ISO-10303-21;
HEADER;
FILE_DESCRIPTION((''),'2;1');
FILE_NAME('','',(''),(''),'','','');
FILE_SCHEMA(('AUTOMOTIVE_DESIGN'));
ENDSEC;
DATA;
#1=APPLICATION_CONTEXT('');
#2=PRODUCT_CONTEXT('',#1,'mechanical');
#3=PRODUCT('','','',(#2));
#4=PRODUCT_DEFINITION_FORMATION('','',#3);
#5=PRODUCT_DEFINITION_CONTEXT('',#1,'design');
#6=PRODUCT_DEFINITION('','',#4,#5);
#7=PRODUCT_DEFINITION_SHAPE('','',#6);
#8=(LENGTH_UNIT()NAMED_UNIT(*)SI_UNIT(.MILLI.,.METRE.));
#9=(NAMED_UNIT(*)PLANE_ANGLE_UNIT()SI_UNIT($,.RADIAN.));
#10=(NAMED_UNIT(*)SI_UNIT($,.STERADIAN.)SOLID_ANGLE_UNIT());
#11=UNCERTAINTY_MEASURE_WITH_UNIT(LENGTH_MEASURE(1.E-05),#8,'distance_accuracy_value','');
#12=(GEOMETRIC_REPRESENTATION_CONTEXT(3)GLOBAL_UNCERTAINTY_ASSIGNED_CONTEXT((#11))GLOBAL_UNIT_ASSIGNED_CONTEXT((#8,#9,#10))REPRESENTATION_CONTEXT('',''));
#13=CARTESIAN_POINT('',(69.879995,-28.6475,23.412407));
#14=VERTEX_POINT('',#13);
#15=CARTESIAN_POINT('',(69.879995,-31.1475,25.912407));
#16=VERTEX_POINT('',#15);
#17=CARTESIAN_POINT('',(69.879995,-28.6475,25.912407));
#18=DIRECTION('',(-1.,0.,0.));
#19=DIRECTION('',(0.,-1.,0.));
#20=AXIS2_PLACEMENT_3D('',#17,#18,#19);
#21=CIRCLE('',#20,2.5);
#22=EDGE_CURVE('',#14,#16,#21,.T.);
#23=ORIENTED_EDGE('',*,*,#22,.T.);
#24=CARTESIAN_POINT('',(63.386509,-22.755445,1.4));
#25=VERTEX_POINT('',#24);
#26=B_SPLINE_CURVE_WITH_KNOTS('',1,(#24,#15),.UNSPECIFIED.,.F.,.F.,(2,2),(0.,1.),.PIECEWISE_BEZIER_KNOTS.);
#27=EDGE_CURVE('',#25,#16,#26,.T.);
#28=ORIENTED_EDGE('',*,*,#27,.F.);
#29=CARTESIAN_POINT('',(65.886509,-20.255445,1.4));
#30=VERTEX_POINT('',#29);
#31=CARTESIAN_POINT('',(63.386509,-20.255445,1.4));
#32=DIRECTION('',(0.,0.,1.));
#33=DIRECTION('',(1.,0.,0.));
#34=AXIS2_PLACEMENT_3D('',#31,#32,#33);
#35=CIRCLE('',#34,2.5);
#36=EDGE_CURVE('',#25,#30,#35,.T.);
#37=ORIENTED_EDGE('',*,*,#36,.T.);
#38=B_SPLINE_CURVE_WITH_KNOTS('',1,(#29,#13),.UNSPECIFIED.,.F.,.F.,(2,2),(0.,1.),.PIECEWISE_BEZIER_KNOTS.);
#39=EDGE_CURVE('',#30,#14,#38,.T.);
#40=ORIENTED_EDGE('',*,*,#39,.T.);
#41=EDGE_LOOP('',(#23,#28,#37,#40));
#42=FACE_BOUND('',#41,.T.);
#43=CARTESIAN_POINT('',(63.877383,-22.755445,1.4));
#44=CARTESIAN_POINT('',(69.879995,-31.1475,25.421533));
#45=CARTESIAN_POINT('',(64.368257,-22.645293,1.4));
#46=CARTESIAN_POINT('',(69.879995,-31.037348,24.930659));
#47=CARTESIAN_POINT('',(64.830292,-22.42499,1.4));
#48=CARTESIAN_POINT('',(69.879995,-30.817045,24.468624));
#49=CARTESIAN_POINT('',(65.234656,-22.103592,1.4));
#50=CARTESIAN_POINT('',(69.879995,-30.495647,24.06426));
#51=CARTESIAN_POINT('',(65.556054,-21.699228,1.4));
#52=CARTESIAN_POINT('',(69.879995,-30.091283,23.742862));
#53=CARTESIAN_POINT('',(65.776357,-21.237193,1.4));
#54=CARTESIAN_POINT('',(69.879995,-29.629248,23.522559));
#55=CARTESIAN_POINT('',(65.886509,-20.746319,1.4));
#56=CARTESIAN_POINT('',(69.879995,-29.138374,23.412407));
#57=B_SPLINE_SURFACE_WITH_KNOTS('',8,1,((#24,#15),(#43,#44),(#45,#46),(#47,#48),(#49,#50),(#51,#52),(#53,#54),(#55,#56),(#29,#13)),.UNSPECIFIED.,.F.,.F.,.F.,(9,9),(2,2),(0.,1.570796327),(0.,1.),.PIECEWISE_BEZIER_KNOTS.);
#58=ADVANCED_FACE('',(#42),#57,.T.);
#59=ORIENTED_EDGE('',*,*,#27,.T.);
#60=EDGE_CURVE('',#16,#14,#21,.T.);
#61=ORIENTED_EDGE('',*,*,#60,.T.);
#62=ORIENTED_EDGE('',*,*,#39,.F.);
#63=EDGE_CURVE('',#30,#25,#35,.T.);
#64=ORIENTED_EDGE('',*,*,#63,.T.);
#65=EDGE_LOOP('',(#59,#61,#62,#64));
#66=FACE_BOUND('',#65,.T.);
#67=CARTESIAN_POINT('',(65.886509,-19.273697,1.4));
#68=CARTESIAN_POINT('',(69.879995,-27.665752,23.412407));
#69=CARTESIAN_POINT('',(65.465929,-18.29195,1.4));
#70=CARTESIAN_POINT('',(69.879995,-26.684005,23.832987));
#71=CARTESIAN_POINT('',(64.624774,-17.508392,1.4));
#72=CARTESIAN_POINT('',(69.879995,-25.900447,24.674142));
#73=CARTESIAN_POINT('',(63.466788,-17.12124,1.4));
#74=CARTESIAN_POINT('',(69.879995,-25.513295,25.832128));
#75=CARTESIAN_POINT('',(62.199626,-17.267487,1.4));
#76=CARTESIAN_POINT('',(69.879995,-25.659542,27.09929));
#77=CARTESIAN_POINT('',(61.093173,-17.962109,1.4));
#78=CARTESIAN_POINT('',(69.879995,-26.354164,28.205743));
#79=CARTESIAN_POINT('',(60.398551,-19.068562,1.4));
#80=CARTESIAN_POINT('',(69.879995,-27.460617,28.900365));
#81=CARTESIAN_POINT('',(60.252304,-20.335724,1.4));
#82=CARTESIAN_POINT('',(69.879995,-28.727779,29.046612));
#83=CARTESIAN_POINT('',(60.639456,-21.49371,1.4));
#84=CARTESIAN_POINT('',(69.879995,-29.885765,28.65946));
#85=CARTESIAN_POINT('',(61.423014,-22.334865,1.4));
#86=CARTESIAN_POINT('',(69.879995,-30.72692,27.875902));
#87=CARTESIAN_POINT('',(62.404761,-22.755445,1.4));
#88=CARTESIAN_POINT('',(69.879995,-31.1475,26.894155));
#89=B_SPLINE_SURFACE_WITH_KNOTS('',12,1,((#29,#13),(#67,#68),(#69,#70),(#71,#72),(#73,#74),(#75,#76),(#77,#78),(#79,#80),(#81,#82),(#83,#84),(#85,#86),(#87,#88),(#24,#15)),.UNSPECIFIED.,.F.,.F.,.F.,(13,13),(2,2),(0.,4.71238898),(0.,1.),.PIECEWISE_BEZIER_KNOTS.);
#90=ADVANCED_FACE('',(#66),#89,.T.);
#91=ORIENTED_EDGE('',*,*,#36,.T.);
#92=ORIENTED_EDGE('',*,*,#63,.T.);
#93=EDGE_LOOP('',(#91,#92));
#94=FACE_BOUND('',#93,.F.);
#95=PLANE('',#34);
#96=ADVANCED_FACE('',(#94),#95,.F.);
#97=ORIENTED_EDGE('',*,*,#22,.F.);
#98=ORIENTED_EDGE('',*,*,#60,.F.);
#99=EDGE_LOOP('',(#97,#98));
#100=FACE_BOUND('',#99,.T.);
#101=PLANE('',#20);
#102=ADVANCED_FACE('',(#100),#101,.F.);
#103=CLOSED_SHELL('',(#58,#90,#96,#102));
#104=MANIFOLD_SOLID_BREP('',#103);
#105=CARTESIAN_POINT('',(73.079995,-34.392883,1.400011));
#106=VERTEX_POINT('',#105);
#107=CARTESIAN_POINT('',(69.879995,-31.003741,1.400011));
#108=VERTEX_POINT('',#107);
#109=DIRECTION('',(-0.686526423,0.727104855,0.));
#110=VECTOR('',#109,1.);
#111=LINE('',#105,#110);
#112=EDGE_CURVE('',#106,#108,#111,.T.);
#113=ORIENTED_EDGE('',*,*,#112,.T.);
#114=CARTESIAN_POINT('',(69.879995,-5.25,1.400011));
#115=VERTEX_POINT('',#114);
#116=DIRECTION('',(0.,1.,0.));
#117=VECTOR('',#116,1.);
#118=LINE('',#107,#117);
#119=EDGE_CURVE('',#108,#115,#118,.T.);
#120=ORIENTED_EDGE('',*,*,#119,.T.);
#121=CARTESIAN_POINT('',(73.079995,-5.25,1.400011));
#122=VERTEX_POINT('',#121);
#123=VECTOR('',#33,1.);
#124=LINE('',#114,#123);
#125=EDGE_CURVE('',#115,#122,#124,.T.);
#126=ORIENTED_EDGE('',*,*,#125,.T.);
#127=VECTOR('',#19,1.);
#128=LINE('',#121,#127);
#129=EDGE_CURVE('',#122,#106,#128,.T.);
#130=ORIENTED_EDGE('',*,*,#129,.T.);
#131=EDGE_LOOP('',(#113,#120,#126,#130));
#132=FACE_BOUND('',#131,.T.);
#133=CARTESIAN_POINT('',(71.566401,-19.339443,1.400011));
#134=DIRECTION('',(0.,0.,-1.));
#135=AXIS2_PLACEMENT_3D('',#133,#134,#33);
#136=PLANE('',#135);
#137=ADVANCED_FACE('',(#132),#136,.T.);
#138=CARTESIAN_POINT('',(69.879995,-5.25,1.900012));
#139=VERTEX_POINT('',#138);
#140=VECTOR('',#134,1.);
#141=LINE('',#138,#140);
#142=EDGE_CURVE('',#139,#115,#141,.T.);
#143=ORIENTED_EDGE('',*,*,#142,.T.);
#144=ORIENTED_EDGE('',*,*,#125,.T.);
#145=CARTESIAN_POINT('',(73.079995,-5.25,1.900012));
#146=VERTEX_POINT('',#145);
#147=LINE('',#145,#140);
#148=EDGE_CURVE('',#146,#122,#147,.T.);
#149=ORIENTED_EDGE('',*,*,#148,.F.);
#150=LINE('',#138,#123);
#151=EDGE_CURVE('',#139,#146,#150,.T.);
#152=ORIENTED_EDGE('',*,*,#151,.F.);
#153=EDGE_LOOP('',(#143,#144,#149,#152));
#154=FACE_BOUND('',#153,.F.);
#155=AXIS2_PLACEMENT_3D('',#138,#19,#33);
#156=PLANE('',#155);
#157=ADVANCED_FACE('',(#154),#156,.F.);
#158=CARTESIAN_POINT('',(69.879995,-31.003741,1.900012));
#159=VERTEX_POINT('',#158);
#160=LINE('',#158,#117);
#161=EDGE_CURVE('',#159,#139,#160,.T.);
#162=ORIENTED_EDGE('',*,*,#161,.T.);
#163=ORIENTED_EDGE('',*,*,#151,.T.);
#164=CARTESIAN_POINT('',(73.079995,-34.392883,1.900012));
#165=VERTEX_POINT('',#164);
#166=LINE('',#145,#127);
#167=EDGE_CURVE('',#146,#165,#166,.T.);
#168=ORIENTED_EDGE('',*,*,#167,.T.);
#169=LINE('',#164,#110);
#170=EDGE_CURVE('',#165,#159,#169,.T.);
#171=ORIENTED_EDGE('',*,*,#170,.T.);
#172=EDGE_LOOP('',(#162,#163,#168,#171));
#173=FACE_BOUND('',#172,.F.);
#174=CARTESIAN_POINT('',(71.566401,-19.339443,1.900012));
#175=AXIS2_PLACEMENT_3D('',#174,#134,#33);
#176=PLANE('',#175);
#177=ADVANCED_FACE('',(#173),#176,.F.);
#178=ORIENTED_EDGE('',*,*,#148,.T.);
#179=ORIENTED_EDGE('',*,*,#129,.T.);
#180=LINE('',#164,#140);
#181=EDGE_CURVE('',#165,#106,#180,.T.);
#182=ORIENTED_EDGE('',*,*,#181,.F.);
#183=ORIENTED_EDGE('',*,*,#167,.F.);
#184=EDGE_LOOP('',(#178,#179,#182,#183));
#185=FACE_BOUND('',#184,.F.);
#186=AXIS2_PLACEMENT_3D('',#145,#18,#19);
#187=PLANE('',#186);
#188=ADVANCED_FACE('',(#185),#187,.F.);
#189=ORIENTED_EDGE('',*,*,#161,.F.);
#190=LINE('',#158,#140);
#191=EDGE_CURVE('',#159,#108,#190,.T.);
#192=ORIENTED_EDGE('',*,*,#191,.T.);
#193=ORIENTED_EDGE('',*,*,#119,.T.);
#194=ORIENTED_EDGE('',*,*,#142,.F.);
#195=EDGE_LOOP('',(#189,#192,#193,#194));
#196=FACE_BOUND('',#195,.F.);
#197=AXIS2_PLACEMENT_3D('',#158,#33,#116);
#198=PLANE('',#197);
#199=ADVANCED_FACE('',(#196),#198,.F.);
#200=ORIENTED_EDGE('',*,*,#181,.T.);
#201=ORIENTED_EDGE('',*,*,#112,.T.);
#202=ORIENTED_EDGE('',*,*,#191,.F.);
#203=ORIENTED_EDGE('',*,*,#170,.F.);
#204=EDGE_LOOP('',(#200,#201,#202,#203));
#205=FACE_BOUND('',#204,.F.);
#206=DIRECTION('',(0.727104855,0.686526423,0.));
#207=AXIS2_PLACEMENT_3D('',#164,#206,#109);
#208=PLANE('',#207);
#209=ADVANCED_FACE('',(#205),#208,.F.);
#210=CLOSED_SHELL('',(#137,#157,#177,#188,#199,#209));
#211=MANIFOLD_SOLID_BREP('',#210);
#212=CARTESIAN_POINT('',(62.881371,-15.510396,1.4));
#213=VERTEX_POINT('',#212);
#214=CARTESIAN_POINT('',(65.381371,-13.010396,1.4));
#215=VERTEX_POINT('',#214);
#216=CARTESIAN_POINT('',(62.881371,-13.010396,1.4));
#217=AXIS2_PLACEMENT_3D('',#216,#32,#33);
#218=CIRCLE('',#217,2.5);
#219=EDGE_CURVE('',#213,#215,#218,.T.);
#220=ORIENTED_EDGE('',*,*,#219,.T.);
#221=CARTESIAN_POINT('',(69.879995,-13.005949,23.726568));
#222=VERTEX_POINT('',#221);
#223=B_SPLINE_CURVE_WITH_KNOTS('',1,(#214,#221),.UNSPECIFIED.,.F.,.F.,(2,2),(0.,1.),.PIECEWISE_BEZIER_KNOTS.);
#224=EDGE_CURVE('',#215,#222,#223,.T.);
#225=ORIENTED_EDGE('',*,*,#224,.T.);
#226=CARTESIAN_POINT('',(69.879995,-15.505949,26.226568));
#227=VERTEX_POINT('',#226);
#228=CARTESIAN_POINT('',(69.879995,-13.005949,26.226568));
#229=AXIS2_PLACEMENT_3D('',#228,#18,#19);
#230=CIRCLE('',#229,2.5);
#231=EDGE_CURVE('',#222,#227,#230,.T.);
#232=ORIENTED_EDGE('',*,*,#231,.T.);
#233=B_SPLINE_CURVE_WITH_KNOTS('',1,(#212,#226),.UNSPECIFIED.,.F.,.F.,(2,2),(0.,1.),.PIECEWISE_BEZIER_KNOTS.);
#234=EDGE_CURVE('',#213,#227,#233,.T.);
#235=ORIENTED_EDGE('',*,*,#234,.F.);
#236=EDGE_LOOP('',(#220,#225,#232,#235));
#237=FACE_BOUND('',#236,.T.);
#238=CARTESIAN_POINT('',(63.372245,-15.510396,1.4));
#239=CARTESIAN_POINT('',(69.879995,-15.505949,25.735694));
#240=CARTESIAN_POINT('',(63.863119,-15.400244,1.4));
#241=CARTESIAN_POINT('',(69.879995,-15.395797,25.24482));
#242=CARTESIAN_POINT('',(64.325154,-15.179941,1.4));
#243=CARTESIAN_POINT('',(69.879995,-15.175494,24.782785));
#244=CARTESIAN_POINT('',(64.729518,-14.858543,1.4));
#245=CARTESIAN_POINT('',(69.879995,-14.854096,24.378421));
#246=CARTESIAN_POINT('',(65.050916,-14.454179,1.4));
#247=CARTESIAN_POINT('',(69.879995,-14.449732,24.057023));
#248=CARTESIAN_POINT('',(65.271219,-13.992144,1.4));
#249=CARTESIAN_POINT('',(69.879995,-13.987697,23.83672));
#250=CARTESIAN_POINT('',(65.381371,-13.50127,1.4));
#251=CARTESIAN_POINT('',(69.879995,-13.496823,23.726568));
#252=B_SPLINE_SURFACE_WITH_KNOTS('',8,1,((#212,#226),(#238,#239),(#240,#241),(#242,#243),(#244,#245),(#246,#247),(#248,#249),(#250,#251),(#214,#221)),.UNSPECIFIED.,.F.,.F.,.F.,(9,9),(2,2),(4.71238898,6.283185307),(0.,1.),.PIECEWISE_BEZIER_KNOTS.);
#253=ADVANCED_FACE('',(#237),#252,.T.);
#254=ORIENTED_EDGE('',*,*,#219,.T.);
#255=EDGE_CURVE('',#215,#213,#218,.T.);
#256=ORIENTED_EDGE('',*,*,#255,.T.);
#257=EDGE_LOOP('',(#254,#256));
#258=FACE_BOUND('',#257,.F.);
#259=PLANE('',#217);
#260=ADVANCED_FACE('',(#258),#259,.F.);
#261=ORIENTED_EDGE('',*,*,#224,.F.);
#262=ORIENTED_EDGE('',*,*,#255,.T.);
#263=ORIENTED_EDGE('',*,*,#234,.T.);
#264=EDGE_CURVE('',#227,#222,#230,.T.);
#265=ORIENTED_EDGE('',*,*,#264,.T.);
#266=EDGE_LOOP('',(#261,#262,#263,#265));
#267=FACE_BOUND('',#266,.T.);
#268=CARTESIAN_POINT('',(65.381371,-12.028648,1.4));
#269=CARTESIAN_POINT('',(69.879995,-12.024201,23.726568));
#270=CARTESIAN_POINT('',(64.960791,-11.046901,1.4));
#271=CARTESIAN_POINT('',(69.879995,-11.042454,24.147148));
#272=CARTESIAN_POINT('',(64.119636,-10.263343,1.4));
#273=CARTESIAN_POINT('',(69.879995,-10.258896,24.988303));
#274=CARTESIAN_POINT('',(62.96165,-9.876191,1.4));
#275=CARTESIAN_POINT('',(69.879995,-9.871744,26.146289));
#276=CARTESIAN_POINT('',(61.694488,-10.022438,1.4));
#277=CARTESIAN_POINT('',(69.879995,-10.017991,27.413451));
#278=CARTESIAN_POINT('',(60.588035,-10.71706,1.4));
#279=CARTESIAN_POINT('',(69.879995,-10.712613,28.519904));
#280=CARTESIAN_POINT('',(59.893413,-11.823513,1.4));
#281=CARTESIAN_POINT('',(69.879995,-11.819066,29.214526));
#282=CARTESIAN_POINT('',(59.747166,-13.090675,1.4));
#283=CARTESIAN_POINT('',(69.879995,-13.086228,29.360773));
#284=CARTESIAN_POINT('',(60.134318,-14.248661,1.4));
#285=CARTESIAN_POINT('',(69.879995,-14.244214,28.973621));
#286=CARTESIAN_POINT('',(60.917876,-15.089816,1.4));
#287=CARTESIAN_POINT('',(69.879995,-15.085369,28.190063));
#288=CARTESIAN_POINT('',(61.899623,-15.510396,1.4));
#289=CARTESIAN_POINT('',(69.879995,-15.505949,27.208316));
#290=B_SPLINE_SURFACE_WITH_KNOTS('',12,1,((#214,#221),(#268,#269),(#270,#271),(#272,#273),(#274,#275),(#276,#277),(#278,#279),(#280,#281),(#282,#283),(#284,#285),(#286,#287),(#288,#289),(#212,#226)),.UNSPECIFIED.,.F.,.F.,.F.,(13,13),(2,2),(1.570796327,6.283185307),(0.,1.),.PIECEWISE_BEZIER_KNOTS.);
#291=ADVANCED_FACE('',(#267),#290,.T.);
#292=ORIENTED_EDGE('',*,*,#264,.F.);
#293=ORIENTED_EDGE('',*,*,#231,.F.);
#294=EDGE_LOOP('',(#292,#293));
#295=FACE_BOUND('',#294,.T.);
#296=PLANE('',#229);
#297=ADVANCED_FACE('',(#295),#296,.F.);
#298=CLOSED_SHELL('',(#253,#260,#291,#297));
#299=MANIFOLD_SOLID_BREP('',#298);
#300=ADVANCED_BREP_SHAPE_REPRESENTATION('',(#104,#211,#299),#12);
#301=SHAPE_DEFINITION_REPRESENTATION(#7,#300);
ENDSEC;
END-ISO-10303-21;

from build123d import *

# Parameters (mm, degrees)
SKETCH084_R  = 2.5
SKETCH085_R  = 2.5
SKETCH086_R  = 2.5
SKETCH087_R  = 2.5
PAD051_DEPTH = 0.500001


with BuildPart() as part:
    # Sketch084 (on Face1 of Binder016) → AdditiveLoft010 section 0
    with BuildSketch(Plane.XY.offset(1.4)):
        with Locations((63.386509, -20.255445)):
            Circle(SKETCH084_R)
    # Sketch085 (on Face1 of Binder017) → AdditiveLoft010 section 1
    with BuildSketch(Plane(origin=(69.879995, 0, -1.2e-05), x_dir=(0, -1, 0), z_dir=(-1, 0, 0))):
        with Locations((28.6475, 25.912419)):
            Circle(SKETCH085_R)
    loft()

    # Sketch086 (on Face1 of Binder016) → AdditiveLoft011 section 0
    with BuildSketch(Plane.XY.offset(1.4)):
        with Locations((62.881371, -13.010396)):
            Circle(SKETCH086_R)
    # Sketch087 (on Face1 of Binder017) → AdditiveLoft011 section 1
    with BuildSketch(Plane(origin=(69.879995, 0, -1.2e-05), x_dir=(0, -1, 0), z_dir=(-1, 0, 0))):
        with Locations((13.005949, 26.22658)):
            Circle(SKETCH087_R)
    loft()

    # Sketch088 (on Face1 of Binder018) → Pad051 (new body)
    with BuildSketch(Plane(origin=(0, 0, 1.900012), x_dir=(1, 0, 0), z_dir=(0, 0, -1))):
        Polygon((69.879995, 5.25), (73.079995, 5.25), (73.079995, 34.392883), (69.879995, 31.003741), align=None)
    extrude(amount=PAD051_DEPTH)


solid = part.part
